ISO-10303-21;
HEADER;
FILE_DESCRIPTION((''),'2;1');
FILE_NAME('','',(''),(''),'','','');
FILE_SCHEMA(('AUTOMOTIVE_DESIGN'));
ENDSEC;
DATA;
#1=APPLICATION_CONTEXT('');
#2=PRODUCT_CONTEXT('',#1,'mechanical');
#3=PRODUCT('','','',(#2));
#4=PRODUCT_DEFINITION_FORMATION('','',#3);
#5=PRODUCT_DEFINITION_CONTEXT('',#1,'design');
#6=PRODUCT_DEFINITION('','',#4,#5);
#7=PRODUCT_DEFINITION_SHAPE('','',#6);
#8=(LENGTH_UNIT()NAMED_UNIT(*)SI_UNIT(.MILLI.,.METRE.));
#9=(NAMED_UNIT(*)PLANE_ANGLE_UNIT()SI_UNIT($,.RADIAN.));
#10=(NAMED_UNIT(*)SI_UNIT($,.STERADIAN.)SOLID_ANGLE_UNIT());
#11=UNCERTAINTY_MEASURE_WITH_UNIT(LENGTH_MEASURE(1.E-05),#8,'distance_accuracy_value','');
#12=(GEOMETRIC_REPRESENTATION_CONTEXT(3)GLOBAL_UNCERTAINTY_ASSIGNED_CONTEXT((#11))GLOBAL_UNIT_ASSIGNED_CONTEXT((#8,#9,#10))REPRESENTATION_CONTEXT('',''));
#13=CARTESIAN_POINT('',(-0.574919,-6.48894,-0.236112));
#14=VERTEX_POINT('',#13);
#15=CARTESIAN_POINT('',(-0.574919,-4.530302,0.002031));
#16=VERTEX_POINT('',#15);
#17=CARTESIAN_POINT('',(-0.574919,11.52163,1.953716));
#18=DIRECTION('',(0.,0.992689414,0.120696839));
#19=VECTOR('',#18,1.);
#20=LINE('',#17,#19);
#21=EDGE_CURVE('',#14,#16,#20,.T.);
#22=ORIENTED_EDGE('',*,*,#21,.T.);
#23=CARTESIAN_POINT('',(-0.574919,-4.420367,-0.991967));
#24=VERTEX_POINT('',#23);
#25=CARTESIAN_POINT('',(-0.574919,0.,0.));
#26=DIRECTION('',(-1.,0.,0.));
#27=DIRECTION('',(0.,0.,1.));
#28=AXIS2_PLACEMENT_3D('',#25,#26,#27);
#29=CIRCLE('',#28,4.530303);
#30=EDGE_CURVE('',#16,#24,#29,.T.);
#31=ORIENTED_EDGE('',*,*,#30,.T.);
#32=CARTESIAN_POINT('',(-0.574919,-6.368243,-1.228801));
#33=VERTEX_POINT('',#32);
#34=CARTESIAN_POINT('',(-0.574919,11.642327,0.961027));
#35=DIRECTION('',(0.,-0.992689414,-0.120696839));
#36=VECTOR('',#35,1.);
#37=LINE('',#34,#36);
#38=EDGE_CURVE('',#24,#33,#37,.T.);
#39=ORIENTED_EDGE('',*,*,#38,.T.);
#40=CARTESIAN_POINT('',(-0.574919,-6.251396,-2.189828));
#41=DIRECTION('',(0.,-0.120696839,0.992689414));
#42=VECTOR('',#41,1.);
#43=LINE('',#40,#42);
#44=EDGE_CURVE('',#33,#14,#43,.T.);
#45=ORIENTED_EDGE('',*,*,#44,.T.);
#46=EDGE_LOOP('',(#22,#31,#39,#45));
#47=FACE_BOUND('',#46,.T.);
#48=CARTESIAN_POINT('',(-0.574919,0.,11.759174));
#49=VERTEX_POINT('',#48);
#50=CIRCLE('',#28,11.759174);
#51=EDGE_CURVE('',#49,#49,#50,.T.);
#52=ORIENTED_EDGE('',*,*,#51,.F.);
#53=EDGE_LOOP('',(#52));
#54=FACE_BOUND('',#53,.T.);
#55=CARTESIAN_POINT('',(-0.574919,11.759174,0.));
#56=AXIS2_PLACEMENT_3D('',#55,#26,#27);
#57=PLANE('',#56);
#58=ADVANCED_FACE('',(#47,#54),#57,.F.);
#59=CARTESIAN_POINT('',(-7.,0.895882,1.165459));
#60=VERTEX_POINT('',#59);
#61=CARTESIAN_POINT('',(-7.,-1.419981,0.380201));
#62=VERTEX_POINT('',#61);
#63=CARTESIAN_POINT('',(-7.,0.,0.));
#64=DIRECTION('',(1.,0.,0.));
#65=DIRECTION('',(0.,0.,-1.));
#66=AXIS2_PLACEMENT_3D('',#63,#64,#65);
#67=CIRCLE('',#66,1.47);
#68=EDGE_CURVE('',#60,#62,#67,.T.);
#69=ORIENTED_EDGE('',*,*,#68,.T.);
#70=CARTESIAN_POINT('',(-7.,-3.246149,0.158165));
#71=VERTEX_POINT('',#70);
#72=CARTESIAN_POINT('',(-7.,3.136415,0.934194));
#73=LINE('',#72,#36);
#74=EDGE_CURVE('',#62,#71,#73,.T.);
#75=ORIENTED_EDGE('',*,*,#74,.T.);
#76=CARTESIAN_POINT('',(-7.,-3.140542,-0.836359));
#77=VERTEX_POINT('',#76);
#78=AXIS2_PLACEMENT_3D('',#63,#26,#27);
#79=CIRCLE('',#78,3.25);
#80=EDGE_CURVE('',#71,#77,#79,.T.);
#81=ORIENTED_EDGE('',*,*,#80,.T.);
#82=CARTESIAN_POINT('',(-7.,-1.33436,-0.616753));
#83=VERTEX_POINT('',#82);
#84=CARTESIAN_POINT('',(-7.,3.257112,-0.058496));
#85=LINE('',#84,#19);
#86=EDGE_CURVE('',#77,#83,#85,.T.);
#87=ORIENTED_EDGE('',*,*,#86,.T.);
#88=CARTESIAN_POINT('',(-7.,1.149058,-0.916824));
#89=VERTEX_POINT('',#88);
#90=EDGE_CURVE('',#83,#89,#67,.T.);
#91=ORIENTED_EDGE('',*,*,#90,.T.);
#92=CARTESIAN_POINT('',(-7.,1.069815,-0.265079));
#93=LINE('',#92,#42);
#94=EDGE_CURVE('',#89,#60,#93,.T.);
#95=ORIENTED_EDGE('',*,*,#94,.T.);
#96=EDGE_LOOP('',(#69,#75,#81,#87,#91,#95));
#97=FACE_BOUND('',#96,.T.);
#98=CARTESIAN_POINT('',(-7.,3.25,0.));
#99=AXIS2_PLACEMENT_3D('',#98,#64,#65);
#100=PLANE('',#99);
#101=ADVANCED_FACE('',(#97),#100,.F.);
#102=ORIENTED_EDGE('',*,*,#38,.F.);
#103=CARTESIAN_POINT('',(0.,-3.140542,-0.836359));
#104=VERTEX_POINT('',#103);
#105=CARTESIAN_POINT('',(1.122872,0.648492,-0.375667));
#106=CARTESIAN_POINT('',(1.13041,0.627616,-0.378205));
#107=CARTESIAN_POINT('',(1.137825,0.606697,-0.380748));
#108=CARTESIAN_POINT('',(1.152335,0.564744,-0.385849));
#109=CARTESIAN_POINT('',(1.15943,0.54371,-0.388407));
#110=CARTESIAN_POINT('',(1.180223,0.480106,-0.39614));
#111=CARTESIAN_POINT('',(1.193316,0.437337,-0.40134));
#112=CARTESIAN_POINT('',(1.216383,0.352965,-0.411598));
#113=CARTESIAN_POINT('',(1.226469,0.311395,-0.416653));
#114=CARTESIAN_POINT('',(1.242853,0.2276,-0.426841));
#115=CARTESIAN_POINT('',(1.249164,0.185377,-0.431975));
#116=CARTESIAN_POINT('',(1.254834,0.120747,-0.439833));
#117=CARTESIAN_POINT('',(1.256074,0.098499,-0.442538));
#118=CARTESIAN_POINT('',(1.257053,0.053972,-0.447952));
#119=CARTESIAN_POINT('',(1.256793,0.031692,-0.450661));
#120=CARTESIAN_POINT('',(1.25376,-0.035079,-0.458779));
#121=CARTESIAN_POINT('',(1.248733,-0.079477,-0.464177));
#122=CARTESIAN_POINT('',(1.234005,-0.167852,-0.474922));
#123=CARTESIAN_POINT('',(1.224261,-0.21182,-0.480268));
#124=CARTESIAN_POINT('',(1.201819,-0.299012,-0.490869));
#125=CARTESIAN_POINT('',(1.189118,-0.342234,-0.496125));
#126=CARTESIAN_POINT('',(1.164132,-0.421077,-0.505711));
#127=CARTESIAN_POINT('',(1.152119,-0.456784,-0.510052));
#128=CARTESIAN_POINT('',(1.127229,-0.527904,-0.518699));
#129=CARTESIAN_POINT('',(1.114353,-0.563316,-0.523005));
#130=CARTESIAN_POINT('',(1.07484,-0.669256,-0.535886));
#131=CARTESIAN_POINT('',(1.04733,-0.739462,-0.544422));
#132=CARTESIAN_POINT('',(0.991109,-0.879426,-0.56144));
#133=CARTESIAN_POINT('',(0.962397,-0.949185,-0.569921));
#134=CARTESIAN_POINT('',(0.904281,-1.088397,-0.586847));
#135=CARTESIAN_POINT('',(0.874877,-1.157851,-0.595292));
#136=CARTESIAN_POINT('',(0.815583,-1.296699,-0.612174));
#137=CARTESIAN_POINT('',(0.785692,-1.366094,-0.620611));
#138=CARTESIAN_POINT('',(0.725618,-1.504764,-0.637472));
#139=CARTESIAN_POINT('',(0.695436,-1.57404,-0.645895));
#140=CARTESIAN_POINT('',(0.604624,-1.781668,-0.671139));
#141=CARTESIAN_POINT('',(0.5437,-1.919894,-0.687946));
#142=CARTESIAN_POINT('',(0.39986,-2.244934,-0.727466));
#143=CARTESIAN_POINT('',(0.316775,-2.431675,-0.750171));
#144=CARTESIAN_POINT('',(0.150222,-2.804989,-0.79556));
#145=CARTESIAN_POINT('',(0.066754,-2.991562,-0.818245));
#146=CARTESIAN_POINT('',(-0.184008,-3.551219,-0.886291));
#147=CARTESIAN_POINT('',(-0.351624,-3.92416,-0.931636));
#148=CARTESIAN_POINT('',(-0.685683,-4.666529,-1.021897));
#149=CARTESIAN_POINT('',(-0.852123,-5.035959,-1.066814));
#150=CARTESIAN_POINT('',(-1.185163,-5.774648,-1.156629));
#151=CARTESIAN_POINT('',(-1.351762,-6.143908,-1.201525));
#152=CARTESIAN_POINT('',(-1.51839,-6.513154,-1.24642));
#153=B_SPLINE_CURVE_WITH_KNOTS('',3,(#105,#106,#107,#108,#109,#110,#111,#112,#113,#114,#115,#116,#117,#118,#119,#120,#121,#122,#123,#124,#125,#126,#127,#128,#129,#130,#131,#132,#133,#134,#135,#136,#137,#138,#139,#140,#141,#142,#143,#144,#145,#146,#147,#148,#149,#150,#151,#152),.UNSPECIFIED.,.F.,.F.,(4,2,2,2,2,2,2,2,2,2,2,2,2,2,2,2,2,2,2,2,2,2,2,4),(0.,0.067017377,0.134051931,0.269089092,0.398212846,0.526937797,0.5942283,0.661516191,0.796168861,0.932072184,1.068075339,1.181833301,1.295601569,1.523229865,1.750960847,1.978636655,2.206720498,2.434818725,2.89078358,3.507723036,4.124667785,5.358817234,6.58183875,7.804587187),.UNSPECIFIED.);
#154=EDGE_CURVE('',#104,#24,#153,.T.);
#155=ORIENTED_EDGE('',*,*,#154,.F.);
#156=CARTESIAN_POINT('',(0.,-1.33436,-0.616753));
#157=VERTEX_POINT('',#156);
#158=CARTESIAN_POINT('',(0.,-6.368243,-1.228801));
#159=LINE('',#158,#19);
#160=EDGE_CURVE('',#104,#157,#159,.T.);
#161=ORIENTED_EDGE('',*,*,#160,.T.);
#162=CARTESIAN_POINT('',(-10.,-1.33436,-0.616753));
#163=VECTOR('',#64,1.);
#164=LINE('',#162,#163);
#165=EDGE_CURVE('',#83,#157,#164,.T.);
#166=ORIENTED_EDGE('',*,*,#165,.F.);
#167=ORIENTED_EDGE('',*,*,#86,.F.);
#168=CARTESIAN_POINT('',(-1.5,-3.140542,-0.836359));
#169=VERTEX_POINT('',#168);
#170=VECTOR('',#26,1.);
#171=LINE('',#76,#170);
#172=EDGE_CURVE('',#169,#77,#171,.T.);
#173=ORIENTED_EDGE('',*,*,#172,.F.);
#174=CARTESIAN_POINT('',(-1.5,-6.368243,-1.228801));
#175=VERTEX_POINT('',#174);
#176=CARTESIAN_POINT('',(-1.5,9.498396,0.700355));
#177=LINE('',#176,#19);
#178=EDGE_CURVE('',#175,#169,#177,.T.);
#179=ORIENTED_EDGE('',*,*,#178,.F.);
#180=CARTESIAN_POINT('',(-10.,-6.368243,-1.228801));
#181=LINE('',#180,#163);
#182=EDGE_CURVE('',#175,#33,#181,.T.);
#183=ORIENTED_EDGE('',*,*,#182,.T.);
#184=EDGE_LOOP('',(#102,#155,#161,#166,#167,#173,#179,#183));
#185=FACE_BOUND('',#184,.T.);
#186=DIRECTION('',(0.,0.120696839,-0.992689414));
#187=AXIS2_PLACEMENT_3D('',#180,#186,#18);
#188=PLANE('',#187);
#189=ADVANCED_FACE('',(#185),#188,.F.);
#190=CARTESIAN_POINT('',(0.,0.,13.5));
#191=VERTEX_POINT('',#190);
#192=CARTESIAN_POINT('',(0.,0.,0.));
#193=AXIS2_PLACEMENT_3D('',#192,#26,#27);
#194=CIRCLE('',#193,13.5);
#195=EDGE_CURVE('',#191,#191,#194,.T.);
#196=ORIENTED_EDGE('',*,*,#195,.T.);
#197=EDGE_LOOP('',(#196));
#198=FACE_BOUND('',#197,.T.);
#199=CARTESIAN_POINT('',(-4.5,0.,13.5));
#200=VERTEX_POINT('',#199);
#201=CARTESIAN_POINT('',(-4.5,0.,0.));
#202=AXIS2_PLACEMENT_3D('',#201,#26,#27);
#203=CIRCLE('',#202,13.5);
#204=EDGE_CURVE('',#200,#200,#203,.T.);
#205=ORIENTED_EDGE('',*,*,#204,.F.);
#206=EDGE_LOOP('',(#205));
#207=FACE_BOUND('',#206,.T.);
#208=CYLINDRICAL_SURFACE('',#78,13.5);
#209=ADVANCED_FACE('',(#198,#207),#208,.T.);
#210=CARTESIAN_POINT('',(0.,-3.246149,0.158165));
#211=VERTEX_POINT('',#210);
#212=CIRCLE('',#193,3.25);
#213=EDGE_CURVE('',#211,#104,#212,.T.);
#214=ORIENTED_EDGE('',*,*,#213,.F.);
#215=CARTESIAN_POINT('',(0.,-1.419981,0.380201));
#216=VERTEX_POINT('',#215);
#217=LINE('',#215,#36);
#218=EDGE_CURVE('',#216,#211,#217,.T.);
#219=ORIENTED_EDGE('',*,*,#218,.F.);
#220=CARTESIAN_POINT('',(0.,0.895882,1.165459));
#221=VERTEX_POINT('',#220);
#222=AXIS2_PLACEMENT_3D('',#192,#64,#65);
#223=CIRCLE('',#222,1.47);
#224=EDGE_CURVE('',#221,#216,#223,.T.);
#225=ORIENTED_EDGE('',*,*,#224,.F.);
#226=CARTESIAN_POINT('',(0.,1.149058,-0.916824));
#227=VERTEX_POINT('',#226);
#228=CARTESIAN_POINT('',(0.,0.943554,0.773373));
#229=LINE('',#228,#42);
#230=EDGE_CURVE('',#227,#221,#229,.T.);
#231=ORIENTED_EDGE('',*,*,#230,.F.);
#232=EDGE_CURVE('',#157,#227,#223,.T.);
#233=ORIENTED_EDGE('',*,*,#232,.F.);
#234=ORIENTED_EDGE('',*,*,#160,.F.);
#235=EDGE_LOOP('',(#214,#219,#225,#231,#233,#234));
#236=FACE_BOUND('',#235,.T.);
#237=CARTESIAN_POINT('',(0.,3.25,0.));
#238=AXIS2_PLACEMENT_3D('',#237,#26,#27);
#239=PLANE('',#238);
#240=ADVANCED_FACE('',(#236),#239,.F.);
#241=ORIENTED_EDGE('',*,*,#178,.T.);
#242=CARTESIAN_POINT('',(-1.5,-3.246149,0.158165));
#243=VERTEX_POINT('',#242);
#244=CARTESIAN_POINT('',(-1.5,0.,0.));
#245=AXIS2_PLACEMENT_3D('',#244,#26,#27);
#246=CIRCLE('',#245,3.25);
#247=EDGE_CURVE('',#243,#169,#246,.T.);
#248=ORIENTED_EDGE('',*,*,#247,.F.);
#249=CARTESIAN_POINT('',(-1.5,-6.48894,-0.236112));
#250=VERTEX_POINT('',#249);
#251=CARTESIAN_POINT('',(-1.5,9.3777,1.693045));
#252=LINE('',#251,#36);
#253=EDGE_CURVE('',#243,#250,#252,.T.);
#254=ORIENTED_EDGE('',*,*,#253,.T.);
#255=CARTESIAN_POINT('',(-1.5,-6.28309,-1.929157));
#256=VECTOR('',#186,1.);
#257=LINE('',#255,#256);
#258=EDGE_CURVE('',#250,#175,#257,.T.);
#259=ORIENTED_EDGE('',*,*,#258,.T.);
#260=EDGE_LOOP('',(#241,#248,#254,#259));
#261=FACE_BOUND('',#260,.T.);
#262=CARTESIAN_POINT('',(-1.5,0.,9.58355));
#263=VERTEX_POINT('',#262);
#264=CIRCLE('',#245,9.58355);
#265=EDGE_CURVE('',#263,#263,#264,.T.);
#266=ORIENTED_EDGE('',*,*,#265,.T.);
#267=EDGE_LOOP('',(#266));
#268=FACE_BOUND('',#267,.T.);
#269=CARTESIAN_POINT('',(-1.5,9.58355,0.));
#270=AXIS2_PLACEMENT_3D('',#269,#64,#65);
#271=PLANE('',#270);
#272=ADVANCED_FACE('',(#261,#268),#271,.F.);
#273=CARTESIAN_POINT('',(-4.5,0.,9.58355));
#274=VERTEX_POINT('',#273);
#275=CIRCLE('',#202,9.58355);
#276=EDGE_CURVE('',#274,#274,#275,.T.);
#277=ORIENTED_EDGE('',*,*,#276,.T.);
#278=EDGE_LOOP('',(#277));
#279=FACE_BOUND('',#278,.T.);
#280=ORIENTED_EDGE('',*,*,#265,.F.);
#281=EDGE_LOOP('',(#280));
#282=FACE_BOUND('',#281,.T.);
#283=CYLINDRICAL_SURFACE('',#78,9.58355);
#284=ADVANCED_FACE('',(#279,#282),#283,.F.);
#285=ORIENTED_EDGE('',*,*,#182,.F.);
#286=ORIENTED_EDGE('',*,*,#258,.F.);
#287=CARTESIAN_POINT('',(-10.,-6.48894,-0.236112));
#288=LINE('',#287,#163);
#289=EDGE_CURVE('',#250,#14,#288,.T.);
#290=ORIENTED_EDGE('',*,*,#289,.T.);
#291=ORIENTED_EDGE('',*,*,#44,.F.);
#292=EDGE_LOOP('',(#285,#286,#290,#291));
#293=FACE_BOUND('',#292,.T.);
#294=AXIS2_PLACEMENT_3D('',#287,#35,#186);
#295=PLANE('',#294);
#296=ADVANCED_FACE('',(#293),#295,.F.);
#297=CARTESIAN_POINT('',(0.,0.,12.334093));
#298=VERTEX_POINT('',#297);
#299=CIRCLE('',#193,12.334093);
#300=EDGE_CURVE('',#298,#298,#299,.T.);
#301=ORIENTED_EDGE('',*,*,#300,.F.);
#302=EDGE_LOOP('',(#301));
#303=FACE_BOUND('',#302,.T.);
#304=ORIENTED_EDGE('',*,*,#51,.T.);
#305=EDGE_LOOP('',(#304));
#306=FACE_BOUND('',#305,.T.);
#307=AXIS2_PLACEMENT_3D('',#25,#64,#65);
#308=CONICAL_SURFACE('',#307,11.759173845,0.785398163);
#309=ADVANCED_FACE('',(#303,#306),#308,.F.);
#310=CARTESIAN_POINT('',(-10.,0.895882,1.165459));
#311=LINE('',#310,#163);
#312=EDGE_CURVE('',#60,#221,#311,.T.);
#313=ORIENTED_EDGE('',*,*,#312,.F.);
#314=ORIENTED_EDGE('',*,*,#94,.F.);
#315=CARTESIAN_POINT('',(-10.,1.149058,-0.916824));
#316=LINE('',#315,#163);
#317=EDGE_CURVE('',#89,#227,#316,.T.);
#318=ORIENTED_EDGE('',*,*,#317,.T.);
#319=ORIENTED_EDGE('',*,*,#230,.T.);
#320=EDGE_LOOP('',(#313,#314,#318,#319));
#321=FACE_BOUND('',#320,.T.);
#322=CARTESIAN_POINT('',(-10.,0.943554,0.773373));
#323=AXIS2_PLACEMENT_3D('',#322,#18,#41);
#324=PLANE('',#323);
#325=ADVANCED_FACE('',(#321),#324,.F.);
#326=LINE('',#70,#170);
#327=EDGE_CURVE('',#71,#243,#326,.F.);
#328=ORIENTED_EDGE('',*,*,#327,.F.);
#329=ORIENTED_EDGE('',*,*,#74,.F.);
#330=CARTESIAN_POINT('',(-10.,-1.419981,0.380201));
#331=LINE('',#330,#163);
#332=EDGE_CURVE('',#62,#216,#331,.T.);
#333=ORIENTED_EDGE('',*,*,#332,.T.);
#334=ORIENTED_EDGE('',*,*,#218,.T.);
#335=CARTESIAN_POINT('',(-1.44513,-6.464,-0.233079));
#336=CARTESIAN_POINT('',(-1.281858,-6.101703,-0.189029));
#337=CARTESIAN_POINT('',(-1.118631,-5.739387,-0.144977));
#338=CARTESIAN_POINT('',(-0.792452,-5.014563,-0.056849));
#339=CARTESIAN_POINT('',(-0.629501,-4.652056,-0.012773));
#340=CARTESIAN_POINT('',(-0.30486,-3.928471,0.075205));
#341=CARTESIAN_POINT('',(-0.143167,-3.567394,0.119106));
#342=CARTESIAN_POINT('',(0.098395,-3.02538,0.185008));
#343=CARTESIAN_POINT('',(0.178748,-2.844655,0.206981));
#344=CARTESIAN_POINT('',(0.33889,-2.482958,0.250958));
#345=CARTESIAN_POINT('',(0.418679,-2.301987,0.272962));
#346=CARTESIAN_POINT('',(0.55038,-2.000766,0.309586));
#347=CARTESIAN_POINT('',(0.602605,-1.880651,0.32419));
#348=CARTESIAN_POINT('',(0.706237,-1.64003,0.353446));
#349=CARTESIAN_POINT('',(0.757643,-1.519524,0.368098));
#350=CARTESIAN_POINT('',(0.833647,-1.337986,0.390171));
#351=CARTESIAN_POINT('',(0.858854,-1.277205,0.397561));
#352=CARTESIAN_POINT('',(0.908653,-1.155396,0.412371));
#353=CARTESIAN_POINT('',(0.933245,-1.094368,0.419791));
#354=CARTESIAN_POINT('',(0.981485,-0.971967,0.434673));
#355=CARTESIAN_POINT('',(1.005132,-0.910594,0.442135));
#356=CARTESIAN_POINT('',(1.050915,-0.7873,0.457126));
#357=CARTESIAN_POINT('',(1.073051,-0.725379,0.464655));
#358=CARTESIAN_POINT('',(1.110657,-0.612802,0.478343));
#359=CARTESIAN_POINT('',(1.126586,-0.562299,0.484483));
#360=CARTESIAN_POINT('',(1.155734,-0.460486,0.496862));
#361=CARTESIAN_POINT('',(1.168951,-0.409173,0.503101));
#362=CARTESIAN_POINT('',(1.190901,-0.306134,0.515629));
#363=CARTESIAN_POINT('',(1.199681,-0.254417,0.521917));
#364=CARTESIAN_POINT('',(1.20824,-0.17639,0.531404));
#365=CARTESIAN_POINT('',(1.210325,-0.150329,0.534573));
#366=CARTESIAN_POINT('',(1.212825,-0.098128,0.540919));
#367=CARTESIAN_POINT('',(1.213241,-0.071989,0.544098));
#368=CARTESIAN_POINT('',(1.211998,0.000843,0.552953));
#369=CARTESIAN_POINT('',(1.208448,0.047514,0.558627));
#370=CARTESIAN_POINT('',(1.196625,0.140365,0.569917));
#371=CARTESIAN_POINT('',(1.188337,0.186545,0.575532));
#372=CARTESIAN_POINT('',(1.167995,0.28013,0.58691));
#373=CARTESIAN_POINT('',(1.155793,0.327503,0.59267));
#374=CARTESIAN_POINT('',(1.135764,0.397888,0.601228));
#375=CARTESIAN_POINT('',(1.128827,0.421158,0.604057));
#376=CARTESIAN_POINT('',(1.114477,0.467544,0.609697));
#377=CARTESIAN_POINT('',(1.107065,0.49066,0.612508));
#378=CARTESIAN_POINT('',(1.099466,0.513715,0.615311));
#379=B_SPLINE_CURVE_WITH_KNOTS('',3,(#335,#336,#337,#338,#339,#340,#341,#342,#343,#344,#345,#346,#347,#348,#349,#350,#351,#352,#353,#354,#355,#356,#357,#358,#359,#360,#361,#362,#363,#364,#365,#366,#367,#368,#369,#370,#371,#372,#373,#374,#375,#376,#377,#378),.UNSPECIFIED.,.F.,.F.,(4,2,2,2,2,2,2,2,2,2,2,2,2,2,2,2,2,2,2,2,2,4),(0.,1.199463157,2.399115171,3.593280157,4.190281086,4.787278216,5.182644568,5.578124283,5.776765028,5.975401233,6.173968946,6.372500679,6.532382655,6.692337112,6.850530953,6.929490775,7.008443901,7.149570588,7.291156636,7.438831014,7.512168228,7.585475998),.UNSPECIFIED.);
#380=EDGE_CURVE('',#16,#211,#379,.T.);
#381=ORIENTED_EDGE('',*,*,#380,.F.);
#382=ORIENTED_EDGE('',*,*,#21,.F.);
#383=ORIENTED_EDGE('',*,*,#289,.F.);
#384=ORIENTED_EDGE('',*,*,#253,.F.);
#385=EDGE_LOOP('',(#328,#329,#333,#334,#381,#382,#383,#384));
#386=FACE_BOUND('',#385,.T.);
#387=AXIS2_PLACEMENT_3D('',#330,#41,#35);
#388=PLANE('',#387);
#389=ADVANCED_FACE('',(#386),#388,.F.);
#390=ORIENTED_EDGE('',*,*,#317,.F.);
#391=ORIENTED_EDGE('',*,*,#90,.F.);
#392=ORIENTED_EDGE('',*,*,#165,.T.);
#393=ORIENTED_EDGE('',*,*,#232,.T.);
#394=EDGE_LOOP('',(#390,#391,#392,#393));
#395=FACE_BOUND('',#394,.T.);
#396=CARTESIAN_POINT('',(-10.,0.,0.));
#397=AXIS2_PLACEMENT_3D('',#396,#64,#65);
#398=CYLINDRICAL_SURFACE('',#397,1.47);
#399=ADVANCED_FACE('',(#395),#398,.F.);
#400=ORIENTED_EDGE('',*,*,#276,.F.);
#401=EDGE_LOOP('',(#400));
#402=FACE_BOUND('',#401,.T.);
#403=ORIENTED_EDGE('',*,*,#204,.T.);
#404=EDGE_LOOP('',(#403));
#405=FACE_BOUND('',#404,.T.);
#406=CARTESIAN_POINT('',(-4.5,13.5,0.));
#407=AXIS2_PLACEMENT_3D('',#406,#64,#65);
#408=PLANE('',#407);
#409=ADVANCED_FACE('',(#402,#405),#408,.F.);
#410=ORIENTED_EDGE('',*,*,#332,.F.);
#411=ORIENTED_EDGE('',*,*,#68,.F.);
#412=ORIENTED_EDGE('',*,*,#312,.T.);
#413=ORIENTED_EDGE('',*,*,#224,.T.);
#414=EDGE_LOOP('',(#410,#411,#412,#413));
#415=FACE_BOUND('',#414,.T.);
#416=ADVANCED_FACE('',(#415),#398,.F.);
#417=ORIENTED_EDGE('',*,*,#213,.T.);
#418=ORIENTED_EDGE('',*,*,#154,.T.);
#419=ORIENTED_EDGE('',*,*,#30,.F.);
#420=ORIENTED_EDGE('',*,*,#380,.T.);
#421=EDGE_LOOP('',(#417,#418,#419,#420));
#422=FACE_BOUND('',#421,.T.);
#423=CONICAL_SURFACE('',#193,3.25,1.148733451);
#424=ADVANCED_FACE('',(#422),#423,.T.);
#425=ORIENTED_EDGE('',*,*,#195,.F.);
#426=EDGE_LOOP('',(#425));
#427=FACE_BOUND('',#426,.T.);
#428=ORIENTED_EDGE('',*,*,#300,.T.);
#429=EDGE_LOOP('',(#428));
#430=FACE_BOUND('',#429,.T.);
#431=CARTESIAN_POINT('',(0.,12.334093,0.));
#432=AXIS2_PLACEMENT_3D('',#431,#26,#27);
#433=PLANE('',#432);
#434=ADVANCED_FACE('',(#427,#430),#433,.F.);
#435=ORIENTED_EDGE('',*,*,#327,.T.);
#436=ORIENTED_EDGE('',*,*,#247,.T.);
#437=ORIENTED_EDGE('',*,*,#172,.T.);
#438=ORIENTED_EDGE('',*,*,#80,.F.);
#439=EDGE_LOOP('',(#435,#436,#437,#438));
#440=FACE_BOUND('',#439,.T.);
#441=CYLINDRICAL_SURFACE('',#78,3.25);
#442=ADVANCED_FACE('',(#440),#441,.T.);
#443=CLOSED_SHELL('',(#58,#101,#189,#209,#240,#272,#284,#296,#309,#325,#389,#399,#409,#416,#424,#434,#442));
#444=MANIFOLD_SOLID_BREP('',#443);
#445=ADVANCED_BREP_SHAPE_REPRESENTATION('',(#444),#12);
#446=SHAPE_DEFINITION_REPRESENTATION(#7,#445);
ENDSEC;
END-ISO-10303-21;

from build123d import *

# Parameters (mm, degrees)
CORTAR_EXTRUIR1_DEPTH = 10


with BuildPart() as part:
    # Croquis1 → Revolución2 (revolve)
    with BuildSketch(Plane.XY, mode=Mode.PRIVATE) as revoluci_n2_sk:
        Polygon((0, 12.334092632), (0, 13.5), (-4.5, 13.5), (-4.5, 9.583549686), (-1.5, 9.583549686), (-1.5, 3.25), (-7, 3.25), (-7, 0), (0, 0), (0, 3.25), (-0.574918787, 4.530302725), (-0.574918787, 11.759173845), align=None)
    revolve(revoluci_n2_sk.sketch.rotate(Axis((-7, 0, 0), (1, 0, 0)), 90), axis=Axis((-7, 0, 0), (1, 0, 0)))

    # Croquis2 → Cortar-Extruir1 (cut)
    with BuildSketch(Plane(origin=(0, 0, 0), x_dir=(0, 0, -1), z_dir=(1, 0, 0))):
        with BuildLine():
            Line((0.916823697, 1.149058009), (0.524737182, 1.101385895))
            Line((0.524737182, 1.101385895), (-0.77337267, 0.943554298))
            Line((-0.77337267, 0.943554298), (-1.165459185, 0.895882184))
            ThreePointArc((-1.165459185, 0.895882184), (-1.392146699, -0.472046151), (-0.380201076, -1.419981388))
            Line((-0.380201076, -1.419981388), (0.236111814, -6.488940003))
            Line((0.236111814, -6.488940003), (1.228801228, -6.368243164))
            Line((1.228801228, -6.368243164), (0.616752973, -1.334359685))
            ThreePointArc((0.616752973, -1.334359685), (1.459385217, -0.176337142), (0.916823697, 1.149058009))
        make_face()
    extrude(amount=-CORTAR_EXTRUIR1_DEPTH, mode=Mode.SUBTRACT)


solid = part.part
